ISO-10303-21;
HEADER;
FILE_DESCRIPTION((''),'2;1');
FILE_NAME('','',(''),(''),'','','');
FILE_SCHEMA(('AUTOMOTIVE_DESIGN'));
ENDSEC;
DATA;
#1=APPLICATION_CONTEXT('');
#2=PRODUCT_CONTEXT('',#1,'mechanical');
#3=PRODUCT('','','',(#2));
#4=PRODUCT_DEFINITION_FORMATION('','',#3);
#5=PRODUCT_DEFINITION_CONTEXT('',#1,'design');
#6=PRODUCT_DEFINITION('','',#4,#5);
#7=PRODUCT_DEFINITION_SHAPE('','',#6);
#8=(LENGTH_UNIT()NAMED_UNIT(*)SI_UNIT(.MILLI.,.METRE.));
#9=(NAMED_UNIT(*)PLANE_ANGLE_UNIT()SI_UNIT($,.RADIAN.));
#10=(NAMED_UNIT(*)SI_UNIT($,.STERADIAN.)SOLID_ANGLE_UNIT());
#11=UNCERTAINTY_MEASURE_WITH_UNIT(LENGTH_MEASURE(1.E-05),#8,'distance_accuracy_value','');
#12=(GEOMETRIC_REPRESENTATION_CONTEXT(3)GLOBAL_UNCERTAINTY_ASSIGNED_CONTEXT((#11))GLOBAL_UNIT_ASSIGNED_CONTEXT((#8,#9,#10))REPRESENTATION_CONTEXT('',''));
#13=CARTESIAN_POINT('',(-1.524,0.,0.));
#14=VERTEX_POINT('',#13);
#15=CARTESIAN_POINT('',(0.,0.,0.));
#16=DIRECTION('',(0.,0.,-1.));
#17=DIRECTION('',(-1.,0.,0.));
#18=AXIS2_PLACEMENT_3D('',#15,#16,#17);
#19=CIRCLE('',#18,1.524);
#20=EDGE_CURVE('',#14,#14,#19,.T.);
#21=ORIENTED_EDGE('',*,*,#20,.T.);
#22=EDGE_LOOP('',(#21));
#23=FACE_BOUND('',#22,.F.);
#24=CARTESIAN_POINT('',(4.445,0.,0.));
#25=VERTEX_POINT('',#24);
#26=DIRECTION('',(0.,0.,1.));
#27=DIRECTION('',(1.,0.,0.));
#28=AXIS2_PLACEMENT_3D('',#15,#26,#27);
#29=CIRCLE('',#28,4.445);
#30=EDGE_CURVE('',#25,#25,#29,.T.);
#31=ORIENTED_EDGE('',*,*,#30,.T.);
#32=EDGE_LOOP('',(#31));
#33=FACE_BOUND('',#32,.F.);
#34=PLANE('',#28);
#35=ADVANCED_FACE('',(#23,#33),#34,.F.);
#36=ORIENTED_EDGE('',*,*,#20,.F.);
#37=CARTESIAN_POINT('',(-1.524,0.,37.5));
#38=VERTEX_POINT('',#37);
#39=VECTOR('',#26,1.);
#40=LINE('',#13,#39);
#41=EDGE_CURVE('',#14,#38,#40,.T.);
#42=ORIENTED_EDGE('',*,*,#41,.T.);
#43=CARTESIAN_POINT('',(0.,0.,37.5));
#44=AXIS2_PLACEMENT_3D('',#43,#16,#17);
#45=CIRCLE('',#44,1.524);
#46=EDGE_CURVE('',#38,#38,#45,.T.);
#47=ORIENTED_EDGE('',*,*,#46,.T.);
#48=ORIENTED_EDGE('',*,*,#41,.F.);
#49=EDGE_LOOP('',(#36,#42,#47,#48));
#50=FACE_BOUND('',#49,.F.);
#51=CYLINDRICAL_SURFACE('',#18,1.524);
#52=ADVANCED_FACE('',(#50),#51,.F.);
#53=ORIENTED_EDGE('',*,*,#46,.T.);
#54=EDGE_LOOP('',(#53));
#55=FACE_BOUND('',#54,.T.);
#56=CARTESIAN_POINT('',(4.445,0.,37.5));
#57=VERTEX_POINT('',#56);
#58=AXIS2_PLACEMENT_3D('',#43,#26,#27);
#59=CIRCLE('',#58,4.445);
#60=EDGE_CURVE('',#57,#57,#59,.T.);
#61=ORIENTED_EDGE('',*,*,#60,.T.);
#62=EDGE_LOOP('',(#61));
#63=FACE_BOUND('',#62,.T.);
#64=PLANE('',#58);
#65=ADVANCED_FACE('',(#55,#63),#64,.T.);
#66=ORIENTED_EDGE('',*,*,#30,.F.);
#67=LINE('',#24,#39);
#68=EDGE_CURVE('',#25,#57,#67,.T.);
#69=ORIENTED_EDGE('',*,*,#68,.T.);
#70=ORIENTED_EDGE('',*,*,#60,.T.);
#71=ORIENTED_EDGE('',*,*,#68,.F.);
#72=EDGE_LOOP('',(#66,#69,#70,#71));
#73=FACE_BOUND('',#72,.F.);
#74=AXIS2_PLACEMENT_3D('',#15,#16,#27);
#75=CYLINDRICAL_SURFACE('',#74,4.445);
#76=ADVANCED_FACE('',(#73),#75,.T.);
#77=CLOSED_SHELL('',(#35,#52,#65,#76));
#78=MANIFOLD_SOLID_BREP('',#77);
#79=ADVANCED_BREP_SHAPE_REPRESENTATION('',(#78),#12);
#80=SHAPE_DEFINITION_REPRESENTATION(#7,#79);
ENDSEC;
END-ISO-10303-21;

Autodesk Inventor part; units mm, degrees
ref_plane "YZ Plane" through (0, 0, 0) normal (1, 0, 0) x (0, 1, 0)
ref_plane "XZ Plane" through (0, 0, 0) normal (0, 1, 0) x (-1, 0, 0)
ref_plane "XY Plane" through (0, 0, 0) normal (0, 0, 1) x (1, 0, 0)
sketch "Sketch1" plane through (0, 0, 0) normal (0, 0, 1) x (1, 0, 0)
  circle A0 centre (0, 0) radius 4.445
  dimension "d0" = 8.89
extrude "Extrusion1" add sketch "Sketch1" along normal blind 37.5
sketch "Sketch2" plane through (0, 0, 0) normal (0, 0, -1) x (-1, 0, 0)
  circle A0 centre (0, 0) radius 1.524
  dimension "d3" = 3.048
extrude "Extrusion2" cut sketch "Sketch2" against normal through all
properties part number "support a"
